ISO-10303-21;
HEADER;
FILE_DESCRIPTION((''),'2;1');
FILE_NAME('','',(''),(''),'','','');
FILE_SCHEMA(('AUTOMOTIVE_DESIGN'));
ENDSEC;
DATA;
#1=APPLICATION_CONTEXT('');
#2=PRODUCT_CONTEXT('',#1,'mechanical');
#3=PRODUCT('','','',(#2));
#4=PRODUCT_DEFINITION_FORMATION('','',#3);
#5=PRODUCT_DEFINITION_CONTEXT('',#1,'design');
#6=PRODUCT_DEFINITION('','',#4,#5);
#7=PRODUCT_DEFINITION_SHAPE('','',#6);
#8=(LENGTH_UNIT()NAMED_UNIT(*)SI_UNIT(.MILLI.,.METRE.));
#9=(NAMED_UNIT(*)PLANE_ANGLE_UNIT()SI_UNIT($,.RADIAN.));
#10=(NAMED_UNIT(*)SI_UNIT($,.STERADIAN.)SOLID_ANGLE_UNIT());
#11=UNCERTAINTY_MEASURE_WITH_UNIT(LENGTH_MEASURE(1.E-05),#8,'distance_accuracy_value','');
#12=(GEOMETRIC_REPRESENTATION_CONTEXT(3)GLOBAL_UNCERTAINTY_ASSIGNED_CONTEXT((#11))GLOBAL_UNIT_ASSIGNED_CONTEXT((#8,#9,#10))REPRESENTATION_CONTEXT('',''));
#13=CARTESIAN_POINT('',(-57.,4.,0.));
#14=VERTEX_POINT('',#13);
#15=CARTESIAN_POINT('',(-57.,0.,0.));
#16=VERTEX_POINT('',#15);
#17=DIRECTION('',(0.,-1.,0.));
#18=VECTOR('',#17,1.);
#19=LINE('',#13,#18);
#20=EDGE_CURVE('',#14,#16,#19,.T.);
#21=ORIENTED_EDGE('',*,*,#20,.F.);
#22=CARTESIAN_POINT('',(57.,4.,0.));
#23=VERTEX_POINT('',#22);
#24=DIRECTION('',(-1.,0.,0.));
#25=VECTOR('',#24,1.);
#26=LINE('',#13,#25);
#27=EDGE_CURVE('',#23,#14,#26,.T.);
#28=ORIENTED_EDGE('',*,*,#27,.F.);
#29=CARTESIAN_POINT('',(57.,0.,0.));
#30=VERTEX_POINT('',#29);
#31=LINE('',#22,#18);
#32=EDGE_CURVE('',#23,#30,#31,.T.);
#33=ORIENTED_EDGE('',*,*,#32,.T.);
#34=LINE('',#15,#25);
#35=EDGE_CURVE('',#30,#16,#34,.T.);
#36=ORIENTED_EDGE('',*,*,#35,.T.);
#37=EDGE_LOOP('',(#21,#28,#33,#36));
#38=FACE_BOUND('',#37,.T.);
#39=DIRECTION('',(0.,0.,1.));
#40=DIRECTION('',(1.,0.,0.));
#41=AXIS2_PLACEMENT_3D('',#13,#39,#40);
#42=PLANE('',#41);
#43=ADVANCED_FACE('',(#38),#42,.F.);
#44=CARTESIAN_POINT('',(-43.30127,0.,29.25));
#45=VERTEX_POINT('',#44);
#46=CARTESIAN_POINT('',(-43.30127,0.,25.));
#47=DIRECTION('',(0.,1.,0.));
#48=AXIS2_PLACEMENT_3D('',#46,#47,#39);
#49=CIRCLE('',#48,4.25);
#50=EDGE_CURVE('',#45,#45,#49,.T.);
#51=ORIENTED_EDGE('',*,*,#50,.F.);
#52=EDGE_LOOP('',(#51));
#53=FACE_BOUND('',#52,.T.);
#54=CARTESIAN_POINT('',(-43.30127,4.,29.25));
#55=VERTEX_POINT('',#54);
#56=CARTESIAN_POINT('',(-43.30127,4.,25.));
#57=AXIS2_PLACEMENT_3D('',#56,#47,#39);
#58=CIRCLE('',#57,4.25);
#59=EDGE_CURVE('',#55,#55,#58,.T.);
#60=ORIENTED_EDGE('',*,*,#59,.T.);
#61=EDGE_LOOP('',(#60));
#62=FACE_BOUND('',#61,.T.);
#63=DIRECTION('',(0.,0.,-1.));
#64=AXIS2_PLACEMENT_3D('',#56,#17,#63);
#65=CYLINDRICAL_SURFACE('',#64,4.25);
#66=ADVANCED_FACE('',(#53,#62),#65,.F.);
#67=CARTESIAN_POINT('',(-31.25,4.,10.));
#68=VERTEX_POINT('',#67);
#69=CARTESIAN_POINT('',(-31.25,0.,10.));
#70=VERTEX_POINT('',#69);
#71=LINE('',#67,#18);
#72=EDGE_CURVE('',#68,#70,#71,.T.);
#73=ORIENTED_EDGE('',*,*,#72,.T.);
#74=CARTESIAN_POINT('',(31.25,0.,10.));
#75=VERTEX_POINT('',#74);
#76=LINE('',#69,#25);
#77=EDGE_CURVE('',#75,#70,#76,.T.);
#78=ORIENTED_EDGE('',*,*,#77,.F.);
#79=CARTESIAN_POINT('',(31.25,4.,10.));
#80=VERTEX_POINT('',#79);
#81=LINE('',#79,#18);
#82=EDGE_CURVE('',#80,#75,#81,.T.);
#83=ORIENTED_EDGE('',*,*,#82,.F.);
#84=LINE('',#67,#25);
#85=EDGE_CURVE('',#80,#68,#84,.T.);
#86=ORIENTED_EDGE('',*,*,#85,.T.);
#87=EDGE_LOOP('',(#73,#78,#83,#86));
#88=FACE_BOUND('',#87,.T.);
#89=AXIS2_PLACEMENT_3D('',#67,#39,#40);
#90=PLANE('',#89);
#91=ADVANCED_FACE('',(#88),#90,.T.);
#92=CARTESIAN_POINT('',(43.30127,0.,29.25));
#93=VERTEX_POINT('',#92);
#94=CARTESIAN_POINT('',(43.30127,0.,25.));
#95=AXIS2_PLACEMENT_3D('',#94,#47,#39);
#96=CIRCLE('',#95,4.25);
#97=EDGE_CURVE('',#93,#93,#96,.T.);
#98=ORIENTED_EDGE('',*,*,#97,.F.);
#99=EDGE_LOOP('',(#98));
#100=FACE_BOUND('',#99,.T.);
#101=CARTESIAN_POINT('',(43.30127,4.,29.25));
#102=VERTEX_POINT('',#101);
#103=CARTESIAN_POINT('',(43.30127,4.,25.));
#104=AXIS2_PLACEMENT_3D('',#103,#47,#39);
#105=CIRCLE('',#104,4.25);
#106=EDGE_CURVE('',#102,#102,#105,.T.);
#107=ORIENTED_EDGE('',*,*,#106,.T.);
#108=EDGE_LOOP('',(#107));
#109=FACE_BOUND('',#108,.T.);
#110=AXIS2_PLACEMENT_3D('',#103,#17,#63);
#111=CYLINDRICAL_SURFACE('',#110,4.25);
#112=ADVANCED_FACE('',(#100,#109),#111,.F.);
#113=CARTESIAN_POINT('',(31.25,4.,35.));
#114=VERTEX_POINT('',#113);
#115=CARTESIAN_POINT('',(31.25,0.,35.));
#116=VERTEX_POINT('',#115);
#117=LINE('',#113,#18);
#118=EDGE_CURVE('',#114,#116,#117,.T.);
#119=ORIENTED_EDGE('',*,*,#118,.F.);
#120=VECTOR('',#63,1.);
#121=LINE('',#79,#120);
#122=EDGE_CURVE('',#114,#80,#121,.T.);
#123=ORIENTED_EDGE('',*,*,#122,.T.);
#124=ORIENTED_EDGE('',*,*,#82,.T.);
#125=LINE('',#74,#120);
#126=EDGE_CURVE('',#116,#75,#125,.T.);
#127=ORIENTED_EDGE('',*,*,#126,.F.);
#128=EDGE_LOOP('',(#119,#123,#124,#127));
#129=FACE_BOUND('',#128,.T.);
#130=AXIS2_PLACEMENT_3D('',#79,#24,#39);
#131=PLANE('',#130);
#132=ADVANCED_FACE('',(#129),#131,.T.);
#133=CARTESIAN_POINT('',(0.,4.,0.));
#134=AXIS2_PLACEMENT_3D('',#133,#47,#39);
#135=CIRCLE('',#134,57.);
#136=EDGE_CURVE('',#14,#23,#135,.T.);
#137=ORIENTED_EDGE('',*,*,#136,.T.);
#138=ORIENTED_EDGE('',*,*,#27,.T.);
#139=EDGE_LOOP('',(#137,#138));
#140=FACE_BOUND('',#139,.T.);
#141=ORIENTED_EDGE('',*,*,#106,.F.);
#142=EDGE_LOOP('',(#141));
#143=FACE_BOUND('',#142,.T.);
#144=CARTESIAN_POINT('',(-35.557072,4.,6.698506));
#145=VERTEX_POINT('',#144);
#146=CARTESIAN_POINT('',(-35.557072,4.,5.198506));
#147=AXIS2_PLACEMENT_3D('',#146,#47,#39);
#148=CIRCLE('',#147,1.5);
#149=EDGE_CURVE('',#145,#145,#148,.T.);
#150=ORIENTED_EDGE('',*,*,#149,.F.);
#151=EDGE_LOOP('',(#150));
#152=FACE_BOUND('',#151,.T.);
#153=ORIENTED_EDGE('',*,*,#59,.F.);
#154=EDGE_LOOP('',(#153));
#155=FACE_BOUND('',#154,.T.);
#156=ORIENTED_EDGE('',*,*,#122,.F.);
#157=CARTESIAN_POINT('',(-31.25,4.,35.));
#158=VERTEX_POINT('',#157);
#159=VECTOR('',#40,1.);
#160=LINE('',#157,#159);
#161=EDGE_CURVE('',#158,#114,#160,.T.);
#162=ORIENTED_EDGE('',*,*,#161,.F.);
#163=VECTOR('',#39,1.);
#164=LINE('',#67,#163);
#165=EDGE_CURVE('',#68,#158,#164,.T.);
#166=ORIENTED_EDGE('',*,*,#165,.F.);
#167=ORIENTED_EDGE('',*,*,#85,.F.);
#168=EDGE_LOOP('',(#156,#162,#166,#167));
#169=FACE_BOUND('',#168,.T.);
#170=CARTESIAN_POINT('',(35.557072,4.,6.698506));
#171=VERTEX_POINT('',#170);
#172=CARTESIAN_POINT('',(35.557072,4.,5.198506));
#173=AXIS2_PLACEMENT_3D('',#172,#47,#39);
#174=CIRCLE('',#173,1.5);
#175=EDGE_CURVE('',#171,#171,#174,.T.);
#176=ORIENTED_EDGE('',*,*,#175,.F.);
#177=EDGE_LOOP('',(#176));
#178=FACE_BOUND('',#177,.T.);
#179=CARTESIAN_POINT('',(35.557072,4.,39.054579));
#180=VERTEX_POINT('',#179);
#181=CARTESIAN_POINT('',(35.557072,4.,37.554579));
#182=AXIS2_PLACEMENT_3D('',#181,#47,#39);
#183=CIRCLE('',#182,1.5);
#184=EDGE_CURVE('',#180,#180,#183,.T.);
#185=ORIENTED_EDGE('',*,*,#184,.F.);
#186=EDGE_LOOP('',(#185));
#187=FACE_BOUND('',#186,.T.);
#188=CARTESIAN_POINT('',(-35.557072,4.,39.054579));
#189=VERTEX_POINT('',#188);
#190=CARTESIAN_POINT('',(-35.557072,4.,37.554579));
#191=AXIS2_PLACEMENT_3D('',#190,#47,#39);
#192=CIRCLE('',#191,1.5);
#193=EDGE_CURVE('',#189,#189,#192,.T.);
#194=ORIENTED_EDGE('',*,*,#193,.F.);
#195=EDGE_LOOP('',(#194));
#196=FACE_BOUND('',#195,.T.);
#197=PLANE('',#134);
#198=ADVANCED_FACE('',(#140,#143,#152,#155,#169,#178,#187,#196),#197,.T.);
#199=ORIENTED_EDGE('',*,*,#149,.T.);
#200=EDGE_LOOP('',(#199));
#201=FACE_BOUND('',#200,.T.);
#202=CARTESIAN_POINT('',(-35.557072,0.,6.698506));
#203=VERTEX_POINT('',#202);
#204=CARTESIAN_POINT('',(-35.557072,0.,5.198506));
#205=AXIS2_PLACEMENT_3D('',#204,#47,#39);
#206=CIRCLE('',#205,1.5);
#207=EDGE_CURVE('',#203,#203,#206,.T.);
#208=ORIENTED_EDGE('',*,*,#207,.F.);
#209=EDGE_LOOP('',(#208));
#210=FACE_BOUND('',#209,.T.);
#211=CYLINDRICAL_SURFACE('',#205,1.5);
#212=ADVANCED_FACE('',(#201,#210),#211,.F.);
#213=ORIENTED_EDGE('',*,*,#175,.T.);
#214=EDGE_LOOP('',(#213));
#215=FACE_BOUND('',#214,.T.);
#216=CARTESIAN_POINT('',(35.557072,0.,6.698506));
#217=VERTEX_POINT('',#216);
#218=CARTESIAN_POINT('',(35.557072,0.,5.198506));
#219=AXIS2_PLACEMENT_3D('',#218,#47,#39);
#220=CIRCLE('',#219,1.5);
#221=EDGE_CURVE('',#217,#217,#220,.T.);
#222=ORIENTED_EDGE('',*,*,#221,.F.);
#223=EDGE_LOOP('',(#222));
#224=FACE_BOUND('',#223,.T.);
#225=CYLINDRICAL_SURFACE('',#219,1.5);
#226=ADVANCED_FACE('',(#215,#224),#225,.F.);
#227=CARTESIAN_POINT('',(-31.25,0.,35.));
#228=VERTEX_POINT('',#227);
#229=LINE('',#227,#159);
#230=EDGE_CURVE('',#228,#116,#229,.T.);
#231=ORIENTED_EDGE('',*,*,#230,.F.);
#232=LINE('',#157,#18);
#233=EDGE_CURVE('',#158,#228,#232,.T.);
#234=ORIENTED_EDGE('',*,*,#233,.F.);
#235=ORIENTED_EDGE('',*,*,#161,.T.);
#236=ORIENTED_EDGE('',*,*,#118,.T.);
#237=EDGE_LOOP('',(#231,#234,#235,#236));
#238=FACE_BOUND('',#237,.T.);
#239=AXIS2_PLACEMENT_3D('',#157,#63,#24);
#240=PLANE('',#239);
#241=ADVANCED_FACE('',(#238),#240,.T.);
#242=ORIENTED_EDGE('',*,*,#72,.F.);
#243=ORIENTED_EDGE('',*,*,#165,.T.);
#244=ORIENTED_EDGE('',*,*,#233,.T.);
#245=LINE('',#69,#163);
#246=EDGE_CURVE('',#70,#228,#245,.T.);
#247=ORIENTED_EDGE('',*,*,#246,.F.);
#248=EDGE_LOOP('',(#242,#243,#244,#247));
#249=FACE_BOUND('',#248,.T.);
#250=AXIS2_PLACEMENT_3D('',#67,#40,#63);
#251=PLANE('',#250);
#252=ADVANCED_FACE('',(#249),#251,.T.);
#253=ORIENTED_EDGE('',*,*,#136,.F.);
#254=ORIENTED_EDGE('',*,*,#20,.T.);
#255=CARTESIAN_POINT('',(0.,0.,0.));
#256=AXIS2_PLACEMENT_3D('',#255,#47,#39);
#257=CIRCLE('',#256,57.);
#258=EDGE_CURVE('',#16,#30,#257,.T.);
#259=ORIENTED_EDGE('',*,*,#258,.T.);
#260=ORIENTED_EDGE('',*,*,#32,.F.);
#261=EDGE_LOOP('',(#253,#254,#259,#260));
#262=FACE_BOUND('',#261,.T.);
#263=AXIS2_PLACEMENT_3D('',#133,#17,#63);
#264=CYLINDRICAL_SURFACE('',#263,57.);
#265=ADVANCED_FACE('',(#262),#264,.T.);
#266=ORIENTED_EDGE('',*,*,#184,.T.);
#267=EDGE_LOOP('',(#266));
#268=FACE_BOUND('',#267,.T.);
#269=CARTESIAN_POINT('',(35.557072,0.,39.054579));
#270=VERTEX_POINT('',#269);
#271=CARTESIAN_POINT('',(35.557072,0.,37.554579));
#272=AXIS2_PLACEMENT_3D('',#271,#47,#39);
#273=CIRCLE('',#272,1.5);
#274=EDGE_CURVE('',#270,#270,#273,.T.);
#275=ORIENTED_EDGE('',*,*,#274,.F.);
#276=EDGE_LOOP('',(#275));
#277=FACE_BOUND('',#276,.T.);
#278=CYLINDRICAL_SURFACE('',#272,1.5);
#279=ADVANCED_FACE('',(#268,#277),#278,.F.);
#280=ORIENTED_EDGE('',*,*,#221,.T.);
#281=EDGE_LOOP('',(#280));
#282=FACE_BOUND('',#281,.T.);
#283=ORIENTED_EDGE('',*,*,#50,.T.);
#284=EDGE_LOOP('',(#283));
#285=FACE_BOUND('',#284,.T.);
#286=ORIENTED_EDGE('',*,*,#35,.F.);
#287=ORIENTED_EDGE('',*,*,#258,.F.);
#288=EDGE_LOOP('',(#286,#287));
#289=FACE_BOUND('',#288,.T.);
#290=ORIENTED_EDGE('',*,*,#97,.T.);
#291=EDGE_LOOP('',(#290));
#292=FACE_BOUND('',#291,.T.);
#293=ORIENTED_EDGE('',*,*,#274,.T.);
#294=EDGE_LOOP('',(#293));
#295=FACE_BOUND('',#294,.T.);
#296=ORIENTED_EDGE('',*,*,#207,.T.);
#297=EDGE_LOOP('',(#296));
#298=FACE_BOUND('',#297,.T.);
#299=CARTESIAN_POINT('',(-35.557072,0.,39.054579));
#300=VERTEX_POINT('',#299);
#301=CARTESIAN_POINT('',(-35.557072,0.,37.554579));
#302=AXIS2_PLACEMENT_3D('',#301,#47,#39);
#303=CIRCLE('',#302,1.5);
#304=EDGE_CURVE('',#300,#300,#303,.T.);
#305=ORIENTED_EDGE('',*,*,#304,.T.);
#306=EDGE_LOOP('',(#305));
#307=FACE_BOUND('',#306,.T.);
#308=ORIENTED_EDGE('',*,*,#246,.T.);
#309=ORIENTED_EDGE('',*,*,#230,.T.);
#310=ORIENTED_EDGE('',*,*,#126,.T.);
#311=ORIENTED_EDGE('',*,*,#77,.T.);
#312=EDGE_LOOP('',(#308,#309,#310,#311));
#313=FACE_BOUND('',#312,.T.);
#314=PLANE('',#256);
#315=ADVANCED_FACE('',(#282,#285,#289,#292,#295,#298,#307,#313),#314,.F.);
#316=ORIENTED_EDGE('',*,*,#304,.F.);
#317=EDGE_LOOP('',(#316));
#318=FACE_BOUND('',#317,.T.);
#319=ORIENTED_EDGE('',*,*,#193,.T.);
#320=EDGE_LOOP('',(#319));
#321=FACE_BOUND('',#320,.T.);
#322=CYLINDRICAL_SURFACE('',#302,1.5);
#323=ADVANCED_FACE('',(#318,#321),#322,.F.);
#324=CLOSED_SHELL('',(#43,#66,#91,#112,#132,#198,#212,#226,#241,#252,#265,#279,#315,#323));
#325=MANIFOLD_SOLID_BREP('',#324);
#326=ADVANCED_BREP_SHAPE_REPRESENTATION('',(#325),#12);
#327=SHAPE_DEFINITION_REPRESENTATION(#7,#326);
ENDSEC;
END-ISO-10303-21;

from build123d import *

# Parameters (mm, degrees)
ESQUISSE1_R             = 4.25
ESQUISSE1_W             = 62.5
ESQUISSE1_H             = 25
BOSS_EXTRU_1_DEPTH      = 4
ESQUISSE2_R             = 1.5
ENL_V_MAT_EXTRU_1_DEPTH = 81.709355096


with BuildPart() as part:
    # Esquisse1 → Boss.-Extru.1 (new body)
    with BuildSketch(Plane(origin=(0, 0, 0), x_dir=(1, 0, 0), z_dir=(0, 1, 0))):
        with BuildLine():
            Line((-57, 0), (57, 0))
            ThreePointArc((57, 0), (0, -57), (-57, 0))
        make_face()
        with Locations(Location((-43.301270189, -25, 0), (0, 0, 270))):
            Circle(ESQUISSE1_R, mode=Mode.SUBTRACT)
        with Locations(Location((43.301270189, -25, 0), (0, 0, 270))):
            Circle(ESQUISSE1_R, mode=Mode.SUBTRACT)
        with Locations((0, -22.5)):
            Rectangle(ESQUISSE1_W, ESQUISSE1_H, mode=Mode.SUBTRACT)
    extrude(amount=BOSS_EXTRU_1_DEPTH)

    # Esquisse2 → Enlèv. mat.-Extru.1 (cut, through all)
    with BuildSketch(Plane(origin=(0, 4, 0), x_dir=(1, 0, 0), z_dir=(0, 1, 0))):
        with Locations(Location((-35.557071612, -37.554578926, 0), (0, 0, 270))):
            Circle(ESQUISSE2_R)
        with Locations(Location((-35.557071612, -5.198506408, 0), (0, 0, 270))):
            Circle(ESQUISSE2_R)
        with Locations(Location((35.557071612, -5.198506408, 0), (0, 0, 270))):
            Circle(ESQUISSE2_R)
        with Locations(Location((35.557071612, -37.554578926, 0), (0, 0, 270))):
            Circle(ESQUISSE2_R)
    extrude(amount=-ENL_V_MAT_EXTRU_1_DEPTH, mode=Mode.SUBTRACT)


solid = part.part
